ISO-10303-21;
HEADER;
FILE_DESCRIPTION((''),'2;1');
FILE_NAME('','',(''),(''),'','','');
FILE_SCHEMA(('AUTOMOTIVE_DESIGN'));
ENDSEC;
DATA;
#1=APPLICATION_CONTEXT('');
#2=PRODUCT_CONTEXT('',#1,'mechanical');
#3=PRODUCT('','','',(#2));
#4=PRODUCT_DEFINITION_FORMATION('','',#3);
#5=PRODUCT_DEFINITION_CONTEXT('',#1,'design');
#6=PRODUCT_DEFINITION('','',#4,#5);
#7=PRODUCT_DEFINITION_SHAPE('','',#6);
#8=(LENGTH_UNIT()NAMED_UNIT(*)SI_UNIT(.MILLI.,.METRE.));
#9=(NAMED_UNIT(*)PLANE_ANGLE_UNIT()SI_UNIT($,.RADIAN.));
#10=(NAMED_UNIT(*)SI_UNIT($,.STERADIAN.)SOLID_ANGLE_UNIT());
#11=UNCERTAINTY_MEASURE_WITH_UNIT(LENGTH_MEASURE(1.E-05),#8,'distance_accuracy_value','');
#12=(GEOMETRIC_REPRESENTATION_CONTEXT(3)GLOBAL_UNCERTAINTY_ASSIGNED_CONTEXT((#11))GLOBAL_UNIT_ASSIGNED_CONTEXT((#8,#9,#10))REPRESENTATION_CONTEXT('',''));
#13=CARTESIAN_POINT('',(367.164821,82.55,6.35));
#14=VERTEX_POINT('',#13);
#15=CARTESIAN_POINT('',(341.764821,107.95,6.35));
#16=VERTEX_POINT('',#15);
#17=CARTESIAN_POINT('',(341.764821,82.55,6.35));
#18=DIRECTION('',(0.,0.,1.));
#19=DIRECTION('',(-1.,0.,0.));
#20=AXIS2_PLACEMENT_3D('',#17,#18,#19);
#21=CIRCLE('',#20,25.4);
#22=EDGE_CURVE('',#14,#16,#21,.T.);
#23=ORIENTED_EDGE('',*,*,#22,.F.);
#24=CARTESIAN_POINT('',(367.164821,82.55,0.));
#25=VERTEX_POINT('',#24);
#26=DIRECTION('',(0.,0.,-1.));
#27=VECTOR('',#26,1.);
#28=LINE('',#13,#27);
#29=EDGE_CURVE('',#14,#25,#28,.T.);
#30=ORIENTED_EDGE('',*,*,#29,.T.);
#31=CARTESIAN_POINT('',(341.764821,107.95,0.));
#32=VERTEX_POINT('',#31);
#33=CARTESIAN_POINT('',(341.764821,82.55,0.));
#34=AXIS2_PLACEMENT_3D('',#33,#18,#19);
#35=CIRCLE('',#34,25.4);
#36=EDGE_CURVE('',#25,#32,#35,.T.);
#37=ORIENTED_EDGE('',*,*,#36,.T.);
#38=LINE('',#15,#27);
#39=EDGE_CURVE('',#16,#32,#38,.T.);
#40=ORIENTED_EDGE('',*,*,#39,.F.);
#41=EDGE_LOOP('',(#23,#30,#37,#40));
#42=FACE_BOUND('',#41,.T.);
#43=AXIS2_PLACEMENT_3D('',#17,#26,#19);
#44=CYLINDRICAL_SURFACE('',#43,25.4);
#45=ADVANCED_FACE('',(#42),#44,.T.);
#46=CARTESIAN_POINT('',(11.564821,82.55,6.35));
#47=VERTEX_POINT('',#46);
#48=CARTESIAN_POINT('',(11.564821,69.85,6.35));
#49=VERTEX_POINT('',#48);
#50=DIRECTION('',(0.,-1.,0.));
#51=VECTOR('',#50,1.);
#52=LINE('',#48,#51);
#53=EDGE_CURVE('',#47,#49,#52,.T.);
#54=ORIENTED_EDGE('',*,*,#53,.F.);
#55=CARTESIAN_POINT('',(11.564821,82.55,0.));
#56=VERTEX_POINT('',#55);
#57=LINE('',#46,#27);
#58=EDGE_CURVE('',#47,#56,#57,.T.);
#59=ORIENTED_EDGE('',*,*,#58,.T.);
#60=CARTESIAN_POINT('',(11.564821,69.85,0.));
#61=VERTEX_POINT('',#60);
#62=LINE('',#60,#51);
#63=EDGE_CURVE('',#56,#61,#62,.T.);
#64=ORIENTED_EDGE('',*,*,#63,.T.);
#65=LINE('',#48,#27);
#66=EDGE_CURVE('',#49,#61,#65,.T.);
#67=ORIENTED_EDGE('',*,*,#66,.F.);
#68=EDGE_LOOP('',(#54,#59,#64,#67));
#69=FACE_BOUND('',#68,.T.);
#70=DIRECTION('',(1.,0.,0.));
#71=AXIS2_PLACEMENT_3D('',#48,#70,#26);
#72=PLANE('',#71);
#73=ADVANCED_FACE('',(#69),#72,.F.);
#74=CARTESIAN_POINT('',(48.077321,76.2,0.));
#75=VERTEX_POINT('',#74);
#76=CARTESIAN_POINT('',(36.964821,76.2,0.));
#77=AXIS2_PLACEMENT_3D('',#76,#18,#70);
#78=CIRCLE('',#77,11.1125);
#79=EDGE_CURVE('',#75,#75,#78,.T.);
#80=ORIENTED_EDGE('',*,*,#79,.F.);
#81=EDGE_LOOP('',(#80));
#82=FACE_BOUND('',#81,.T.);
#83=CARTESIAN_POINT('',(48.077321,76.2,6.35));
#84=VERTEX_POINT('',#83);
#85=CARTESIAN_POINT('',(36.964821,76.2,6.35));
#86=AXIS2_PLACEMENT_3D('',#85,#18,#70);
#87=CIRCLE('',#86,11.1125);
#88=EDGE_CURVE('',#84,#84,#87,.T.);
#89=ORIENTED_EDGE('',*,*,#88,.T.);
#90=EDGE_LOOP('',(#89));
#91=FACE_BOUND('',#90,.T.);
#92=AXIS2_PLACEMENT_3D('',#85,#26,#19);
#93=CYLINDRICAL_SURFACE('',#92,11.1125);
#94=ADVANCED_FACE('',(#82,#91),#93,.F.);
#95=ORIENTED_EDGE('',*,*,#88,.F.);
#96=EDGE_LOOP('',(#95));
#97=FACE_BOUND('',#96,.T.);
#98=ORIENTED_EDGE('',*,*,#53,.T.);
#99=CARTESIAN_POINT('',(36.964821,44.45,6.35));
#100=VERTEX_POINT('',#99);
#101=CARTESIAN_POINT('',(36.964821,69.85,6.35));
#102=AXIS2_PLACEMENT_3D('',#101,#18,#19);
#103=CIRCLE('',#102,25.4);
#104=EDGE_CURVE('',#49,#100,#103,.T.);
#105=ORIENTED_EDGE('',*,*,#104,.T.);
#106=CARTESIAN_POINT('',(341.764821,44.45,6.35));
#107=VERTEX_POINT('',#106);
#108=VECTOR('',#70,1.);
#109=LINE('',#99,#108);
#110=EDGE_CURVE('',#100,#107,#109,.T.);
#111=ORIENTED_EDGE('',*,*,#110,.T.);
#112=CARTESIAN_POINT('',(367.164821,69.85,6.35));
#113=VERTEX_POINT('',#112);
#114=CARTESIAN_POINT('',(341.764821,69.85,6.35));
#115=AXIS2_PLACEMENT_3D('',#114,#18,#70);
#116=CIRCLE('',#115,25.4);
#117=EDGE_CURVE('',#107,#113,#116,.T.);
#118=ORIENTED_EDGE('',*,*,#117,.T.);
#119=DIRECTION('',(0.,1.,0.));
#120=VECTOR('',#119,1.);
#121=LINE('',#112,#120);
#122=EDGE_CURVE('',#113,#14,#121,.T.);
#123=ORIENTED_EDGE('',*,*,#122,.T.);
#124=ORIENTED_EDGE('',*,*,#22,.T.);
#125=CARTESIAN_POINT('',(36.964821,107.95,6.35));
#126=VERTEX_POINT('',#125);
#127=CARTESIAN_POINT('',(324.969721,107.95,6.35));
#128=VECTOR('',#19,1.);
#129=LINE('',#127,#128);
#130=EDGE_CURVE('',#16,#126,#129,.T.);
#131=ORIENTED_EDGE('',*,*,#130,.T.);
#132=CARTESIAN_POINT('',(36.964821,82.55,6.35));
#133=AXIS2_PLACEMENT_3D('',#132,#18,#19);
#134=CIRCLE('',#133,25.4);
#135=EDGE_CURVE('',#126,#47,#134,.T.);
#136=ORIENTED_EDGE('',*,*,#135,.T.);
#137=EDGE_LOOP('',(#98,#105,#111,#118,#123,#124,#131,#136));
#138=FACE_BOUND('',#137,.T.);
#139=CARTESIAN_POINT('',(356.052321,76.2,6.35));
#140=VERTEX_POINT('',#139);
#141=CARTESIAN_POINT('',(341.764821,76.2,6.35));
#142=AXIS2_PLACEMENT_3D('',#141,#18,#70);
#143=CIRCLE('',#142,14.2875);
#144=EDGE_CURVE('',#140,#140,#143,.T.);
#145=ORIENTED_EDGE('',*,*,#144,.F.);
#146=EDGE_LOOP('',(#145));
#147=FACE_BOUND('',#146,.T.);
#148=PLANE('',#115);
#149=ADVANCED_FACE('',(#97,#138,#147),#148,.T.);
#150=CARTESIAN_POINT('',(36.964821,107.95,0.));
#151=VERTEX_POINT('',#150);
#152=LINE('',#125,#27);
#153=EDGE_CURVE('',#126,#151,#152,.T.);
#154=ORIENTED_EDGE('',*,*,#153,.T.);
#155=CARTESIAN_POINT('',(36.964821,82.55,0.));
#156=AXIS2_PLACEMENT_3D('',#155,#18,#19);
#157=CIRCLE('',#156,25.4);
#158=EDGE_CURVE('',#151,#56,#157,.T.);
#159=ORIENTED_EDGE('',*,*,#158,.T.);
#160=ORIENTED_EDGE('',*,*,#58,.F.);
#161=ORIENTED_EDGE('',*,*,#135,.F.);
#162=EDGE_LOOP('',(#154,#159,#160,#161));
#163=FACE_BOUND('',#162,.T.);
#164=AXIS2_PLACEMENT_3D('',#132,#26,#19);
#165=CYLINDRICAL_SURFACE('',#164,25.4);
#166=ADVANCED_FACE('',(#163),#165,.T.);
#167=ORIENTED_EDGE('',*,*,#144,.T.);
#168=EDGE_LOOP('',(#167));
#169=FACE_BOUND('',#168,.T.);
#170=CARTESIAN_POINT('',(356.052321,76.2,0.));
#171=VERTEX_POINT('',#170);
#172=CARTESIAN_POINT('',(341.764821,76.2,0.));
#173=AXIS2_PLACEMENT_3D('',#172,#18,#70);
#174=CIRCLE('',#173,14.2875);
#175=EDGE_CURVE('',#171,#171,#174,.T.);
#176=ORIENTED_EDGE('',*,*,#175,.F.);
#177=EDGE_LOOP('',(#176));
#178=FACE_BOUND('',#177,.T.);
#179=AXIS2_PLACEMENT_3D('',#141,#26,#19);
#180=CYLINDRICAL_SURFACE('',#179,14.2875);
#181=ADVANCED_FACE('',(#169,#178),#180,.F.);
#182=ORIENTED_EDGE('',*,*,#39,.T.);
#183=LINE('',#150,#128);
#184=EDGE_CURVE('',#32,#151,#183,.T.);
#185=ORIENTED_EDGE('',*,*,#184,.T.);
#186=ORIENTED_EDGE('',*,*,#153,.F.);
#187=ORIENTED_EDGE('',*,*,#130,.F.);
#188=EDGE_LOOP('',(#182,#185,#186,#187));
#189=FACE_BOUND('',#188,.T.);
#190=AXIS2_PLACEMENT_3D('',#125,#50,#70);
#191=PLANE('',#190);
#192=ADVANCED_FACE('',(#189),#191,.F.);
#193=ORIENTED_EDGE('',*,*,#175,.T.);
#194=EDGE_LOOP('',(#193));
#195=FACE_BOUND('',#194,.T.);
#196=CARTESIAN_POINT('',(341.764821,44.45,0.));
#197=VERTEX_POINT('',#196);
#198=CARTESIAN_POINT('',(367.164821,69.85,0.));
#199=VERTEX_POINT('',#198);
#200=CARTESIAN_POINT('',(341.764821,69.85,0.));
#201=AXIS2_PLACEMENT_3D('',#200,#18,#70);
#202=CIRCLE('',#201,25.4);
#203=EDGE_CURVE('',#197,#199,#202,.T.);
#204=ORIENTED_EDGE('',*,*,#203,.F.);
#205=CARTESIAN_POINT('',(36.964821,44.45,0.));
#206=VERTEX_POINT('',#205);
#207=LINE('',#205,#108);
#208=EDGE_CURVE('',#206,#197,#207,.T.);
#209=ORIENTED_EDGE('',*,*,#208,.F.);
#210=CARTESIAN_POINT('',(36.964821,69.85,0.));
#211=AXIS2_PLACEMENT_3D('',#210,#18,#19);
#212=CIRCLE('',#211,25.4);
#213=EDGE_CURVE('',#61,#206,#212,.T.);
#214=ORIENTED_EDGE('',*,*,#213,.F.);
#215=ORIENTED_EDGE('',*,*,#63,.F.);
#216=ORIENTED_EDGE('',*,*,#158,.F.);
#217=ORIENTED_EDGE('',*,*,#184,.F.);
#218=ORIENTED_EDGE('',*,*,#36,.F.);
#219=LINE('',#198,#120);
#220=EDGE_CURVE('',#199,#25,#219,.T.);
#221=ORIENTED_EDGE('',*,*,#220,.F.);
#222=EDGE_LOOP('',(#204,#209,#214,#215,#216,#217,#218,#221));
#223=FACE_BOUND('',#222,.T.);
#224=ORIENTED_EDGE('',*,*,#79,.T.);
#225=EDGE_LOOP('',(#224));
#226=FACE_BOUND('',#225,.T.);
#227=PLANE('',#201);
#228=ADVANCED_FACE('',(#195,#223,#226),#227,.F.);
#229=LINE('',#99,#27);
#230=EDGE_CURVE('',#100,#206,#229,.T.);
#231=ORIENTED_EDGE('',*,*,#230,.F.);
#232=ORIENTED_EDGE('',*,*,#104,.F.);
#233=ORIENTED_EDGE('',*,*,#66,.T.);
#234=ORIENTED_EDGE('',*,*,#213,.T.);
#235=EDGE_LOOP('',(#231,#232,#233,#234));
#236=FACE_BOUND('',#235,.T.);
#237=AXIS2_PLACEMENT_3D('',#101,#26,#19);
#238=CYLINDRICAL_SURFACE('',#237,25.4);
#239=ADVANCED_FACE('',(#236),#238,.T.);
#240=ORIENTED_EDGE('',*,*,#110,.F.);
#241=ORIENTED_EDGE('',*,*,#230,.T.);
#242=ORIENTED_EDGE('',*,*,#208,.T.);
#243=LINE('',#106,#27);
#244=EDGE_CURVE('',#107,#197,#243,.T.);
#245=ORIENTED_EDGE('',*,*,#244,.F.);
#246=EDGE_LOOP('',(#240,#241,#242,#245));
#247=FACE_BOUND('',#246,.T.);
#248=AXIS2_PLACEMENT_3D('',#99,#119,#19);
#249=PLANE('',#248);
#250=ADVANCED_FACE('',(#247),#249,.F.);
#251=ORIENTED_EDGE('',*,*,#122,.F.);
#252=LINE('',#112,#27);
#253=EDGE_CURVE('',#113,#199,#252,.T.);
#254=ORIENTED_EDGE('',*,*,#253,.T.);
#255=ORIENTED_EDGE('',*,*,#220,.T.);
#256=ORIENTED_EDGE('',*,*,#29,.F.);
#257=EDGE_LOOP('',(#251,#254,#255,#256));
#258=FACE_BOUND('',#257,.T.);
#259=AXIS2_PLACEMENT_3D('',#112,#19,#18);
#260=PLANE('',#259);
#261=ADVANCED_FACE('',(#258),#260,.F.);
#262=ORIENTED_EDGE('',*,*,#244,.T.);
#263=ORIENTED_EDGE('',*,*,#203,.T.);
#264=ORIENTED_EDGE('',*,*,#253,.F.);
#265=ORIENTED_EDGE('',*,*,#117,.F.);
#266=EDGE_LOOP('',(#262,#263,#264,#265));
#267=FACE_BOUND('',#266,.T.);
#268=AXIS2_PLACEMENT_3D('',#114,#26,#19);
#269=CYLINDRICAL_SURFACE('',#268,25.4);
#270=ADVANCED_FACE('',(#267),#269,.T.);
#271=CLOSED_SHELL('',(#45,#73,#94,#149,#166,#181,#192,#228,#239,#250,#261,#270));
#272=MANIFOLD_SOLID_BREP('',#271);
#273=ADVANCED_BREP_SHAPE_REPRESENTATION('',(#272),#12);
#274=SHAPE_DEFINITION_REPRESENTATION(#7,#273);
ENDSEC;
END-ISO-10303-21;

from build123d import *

# Parameters (mm, degrees)
LAYOUT_R            = 11.1125
LAYOUT_R_2          = 14.2875
BOSS_EXTRUDE1_DEPTH = 6.35


with BuildPart() as part:
    # Layout → Boss-Extrude1 (new body)
    with BuildSketch(Plane.XY):
        with BuildLine():
            Line((36.96482124, 44.45), (341.76482124, 44.45))
            ThreePointArc((341.76482124, 44.45), (359.725333482, 51.889487758), (367.16482124, 69.85))
            Line((367.16482124, 69.85), (367.16482124, 82.55))
            ThreePointArc((367.16482124, 82.55), (359.725333482, 100.510512242), (341.76482124, 107.95))
            Line((341.76482124, 107.95), (324.969720877, 107.95))
            Line((324.969720877, 107.95), (211.92127073, 107.95))
            Line((211.92127073, 107.95), (36.96482124, 107.95))
            ThreePointArc((36.96482124, 107.95), (19.004308998, 100.510512242), (11.56482124, 82.55))
            Line((11.56482124, 82.55), (11.56482124, 69.85))
            ThreePointArc((11.56482124, 69.85), (19.004308998, 51.889487758), (36.96482124, 44.45))
        make_face()
        with Locations((36.96482124, 76.2)):
            Circle(LAYOUT_R, mode=Mode.SUBTRACT)
        with Locations((341.76482124, 76.2)):
            Circle(LAYOUT_R_2, mode=Mode.SUBTRACT)
    extrude(amount=BOSS_EXTRUDE1_DEPTH)


solid = part.part
